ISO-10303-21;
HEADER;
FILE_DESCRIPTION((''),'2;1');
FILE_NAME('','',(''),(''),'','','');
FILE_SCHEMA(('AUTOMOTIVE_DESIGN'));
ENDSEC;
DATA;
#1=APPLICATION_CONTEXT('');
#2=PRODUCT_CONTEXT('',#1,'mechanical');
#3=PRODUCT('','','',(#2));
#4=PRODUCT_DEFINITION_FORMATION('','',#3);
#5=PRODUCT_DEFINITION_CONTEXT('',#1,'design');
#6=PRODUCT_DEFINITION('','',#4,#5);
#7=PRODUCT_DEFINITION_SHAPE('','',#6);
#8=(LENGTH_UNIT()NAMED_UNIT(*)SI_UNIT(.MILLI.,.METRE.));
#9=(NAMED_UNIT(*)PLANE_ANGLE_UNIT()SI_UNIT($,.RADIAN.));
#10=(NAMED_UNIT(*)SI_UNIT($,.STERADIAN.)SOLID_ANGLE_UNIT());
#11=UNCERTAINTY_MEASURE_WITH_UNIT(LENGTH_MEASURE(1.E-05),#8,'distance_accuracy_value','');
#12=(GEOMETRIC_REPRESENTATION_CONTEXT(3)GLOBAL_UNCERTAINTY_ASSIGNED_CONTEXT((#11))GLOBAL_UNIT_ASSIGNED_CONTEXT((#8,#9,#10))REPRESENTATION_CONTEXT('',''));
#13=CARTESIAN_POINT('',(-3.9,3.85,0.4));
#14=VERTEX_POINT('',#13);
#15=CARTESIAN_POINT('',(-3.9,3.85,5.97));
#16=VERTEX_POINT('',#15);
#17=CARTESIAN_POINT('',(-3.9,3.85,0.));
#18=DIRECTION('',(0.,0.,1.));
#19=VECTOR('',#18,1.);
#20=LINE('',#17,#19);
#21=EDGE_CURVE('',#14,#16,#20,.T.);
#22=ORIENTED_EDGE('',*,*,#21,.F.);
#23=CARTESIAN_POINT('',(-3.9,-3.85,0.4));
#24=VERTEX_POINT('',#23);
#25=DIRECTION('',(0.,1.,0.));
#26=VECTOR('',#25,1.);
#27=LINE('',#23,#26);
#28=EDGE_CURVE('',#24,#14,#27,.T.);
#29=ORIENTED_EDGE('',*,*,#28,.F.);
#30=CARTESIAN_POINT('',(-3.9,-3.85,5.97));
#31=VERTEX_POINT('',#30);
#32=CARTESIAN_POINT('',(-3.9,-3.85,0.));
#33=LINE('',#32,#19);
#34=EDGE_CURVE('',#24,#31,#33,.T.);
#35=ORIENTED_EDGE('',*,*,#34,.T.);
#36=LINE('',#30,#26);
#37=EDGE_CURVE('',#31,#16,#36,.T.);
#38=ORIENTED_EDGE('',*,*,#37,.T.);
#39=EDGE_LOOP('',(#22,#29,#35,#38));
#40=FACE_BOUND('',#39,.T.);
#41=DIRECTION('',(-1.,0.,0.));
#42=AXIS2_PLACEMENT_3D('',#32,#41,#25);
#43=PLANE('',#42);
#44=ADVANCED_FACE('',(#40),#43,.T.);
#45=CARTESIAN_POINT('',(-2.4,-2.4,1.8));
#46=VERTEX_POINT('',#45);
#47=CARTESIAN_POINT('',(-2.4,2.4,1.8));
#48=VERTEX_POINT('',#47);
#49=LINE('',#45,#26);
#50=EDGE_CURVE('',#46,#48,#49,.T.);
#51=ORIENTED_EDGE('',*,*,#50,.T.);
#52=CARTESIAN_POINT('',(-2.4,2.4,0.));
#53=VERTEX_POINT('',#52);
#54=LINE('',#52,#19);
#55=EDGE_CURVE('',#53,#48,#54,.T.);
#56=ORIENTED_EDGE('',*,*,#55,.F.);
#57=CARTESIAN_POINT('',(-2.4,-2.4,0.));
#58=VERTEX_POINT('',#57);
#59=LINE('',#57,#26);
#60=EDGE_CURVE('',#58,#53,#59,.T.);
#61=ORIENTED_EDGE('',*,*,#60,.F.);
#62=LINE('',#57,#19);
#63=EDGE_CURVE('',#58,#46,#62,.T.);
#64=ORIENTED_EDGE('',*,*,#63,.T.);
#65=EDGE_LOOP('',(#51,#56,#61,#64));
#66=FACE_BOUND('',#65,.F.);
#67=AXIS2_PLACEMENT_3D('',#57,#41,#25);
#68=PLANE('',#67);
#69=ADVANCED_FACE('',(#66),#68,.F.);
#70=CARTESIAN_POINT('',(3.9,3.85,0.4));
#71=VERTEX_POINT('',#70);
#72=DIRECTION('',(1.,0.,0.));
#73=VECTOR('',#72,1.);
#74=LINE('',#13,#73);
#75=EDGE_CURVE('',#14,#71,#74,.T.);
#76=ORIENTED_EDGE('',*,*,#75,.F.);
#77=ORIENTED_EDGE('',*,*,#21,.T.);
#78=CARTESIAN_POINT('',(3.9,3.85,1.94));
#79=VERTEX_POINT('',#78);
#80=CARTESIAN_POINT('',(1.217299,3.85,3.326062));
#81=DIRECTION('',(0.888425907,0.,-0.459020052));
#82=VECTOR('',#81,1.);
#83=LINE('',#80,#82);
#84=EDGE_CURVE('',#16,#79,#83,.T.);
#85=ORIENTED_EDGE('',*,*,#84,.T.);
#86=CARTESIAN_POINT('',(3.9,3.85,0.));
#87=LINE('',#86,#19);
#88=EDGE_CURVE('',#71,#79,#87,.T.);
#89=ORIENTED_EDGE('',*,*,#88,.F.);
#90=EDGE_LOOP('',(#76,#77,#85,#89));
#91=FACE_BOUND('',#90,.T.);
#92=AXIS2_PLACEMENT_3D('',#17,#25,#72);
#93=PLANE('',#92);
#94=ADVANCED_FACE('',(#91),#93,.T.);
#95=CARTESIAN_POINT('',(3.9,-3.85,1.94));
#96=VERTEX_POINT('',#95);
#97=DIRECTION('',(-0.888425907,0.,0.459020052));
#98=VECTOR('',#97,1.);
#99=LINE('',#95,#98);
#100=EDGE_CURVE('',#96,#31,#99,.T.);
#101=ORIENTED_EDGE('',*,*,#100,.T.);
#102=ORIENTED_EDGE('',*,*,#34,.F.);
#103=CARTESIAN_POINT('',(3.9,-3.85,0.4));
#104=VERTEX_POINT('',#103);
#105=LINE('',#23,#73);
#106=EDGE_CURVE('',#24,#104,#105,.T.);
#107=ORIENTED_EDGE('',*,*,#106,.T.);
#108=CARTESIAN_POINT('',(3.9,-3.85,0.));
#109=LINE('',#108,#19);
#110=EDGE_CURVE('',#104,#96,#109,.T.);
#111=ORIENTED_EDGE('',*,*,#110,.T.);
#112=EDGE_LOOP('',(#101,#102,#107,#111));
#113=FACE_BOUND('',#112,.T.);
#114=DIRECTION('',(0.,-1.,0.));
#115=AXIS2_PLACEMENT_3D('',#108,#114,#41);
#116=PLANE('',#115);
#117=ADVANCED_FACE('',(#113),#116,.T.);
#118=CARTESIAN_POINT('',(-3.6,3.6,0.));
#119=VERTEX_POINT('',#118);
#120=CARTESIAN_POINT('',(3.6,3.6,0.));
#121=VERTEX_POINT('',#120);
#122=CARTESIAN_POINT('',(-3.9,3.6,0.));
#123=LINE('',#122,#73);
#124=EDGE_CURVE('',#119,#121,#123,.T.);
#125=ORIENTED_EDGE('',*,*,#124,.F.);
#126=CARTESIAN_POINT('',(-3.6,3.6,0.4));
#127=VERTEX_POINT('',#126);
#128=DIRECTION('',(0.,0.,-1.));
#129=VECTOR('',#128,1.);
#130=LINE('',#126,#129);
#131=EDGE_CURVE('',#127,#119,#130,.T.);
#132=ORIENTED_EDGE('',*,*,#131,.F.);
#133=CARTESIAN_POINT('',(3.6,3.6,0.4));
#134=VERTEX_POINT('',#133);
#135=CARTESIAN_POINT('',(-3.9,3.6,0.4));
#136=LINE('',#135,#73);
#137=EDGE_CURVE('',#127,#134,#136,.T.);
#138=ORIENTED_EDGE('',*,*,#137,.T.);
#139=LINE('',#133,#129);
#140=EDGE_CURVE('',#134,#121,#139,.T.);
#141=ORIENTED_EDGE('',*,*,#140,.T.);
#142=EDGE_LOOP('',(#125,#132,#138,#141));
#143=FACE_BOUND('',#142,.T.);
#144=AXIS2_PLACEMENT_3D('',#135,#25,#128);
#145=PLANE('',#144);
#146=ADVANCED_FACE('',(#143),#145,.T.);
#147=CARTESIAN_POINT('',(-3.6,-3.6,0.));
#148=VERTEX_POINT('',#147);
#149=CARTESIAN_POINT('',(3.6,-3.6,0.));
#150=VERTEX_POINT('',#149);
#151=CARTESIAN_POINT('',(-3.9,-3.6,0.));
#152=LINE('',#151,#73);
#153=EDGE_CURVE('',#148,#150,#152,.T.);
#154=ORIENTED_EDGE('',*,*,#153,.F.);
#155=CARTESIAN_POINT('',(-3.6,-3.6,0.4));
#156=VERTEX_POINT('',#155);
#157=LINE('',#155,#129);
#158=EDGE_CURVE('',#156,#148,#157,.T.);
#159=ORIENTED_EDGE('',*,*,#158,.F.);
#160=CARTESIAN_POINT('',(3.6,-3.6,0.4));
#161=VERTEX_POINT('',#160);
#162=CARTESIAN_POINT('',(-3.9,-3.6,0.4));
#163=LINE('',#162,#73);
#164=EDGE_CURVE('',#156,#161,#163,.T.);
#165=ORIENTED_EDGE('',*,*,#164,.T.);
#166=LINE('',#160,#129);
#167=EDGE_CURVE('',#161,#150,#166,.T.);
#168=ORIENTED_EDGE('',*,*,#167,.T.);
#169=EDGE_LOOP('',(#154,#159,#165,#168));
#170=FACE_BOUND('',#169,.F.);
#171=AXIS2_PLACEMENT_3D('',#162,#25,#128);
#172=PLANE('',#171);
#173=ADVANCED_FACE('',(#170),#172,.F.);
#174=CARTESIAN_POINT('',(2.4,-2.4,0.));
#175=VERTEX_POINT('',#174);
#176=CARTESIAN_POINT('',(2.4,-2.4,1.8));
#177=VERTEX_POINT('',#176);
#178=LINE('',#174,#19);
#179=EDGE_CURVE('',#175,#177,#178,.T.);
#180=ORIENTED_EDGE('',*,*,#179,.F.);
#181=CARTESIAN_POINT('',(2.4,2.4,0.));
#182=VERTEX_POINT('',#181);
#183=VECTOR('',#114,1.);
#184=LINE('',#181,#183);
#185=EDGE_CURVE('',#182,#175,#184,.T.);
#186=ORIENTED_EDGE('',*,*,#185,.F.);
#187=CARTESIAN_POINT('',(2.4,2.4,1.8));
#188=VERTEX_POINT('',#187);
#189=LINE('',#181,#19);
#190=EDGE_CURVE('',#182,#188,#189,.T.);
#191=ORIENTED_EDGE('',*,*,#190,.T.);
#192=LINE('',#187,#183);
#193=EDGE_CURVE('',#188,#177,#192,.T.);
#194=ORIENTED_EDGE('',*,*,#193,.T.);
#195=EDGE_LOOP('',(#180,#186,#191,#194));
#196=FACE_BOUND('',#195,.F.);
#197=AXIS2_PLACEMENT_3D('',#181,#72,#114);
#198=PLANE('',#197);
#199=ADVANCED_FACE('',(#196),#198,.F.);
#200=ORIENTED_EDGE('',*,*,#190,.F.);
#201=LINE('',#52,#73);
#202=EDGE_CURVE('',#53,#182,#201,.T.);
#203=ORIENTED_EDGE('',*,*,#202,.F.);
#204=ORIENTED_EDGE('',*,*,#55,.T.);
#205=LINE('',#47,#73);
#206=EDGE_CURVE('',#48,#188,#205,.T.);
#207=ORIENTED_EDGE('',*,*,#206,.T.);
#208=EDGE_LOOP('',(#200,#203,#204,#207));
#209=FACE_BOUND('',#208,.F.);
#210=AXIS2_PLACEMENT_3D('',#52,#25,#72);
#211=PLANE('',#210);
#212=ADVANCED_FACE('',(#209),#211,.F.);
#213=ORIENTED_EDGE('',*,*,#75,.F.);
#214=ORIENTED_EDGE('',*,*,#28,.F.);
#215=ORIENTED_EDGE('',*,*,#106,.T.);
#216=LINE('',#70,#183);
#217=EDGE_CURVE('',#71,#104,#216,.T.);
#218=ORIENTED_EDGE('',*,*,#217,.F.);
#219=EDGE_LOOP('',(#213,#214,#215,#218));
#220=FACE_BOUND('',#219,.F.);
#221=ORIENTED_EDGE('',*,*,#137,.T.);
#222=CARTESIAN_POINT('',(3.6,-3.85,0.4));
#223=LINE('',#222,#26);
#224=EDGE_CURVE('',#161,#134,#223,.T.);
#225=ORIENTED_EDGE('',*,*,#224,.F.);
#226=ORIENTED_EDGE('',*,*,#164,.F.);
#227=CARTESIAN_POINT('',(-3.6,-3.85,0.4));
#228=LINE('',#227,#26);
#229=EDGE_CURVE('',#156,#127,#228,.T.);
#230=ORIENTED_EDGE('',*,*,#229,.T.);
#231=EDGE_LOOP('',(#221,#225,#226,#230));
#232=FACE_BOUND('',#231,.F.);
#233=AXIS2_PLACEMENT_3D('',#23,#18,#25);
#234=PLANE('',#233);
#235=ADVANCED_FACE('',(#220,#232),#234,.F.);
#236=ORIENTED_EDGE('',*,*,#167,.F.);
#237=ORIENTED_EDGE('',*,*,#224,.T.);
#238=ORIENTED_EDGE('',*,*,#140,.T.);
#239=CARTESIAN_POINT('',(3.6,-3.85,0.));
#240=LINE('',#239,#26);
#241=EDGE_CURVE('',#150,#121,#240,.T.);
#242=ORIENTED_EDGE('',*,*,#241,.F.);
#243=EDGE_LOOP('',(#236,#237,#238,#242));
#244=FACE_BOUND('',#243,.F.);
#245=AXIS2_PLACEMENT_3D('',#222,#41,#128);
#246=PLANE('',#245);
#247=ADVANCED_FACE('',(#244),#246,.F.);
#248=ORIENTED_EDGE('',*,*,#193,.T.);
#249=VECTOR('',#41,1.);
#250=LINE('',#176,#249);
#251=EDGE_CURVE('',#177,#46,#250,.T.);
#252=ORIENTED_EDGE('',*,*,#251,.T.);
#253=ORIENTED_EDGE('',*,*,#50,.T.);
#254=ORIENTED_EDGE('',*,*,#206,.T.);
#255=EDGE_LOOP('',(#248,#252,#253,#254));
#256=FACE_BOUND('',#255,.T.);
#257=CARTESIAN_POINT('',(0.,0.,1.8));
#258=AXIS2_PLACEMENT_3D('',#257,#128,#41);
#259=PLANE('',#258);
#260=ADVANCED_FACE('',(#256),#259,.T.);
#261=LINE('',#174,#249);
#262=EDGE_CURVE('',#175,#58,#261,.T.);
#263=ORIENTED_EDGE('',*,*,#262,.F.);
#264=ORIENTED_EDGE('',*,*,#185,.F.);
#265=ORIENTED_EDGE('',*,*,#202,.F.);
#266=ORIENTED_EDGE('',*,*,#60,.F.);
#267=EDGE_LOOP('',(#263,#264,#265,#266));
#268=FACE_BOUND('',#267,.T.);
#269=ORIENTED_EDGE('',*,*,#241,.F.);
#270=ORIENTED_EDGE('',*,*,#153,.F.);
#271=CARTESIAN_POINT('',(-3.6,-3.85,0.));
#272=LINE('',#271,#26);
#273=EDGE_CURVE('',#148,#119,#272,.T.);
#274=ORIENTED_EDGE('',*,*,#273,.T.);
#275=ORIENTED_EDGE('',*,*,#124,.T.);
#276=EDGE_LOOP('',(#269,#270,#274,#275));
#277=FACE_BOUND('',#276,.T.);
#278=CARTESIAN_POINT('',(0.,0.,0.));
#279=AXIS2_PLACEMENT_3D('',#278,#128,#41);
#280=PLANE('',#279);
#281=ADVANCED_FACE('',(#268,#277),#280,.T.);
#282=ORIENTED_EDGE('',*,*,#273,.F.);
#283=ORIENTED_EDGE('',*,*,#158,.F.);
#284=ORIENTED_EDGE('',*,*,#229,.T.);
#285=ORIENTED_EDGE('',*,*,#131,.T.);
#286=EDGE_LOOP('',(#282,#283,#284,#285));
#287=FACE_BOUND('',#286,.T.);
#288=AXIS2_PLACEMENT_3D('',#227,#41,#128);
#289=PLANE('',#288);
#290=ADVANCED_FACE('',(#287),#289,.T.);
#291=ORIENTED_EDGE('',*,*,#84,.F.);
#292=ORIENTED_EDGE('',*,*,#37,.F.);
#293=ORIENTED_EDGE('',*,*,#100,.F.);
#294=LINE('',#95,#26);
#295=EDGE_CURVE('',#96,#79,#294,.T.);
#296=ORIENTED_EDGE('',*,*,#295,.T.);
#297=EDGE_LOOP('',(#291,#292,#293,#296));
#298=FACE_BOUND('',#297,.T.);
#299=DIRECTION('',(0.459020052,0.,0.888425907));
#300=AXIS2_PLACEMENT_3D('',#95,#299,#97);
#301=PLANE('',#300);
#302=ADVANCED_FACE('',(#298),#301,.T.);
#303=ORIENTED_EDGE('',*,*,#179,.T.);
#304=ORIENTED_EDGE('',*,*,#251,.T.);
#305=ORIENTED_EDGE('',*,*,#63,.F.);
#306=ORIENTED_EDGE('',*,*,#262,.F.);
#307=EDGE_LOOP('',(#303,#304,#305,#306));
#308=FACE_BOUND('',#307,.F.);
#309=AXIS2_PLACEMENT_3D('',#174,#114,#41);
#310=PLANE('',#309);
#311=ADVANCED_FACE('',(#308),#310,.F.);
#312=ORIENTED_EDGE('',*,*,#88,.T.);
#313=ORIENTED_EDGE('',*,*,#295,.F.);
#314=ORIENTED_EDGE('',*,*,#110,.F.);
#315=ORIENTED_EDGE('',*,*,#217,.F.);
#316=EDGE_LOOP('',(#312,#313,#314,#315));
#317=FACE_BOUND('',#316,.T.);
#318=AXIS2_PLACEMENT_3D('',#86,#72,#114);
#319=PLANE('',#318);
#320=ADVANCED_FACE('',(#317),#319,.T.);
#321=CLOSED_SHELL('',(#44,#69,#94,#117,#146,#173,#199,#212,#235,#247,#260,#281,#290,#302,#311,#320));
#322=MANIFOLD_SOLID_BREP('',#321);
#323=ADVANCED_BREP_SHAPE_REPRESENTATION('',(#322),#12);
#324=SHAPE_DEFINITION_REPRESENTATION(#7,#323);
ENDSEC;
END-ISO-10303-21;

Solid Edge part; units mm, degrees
sketch "Sketch1" plane through (0, 0, 0) normal (0, 0, -1) x (-1, 0, 0)
  line L0 (-3.9, -3.85) -> (3.9, -3.85)
  line L1 (3.9, -3.85) -> (3.9, 3.85)
  line L2 (3.9, 3.85) -> (-3.9, 3.85)
  line L3 (-3.9, 3.85) -> (-3.9, -3.85)
  dimension "D1" = 7.8
  dimension "D2" = 7.7
extrude "Protrusion1" add sketch "Sketch1" against normal blind 5.97
sketch "Sketch2" plane through (0, -3.85, 2.985) normal (0, -1, 0) x (1, 0, 0)
  line L0 (-3.9, 2.985) -> (3.9, 2.985)
  line L1 (3.9, 2.985) -> (3.9, -1.045)
  line L2 (3.9, -1.045) -> (-3.9, 2.985)
  dimension "D1" = 4.03
extrude "ExtrudedCutout_1" cut sketch "Sketch2" against normal blind 12.0859
sketch "Sketch3" plane through (0, -3.85, 2.985) normal (0, -1, 0) x (1, 0, 0)
  line L0 (3.9, -2.585) -> (3.9, -3.3266)
  line L1 (3.9, -3.3266) -> (-3.9, -3.3266)
  line L2 (-3.9, -2.585) -> (-3.9, -3.3266)
  line L3 (-3.9, -2.585) -> (-3.6, -2.585)
  line L4 (-3.6, -2.585) -> (-3.6, -2.985)
  line L5 (3.6, -2.985) -> (-3.6, -2.985)
  line L6 (3.6, -2.585) -> (3.6, -2.985)
  line L7 (3.9, -2.585) -> (3.6, -2.585)
  dimension "D1" = 0.3
  dimension "D2" = 0.3
extrude "ExtrudedCutout_2" cut sketch "Sketch3" against normal blind 9.1473
sketch "Sketch4" plane through (0, 0, 0) normal (0, 0, -1) x (0, -1, 0)
  line L0 (-2.4, -2.4) -> (2.4, -2.4)
  line L1 (2.4, -2.4) -> (2.4, 2.4)
  line L2 (2.4, 2.4) -> (-2.4, 2.4)
  line L3 (-2.4, 2.4) -> (-2.4, -2.4)
  dimension "D1" = 4.8
  dimension "D2" = 4.8
extrude "ExtrudedCutout_4" cut sketch "Sketch4" against normal blind 1.8
sketch "Sketch5" plane through (-3.9, 0, 3.185) normal (-1, 0, 0) x (0, -1, 0)
  line L0 (3.85, -2.785) -> (3.6, -2.785)
  line L1 (3.6, -2.785) -> (3.6, -3.185)
  line L2 (-3.6, -3.185) -> (3.6, -3.185)
  line L3 (-3.6, -2.785) -> (-3.6, -3.185)
  line L4 (-3.85, -2.785) -> (-3.6, -2.785)
  line L5 (-3.85, -3.5485) -> (-3.85, -2.785)
  line L6 (3.85, -3.5485) -> (-3.85, -3.5485)
  line L7 (3.85, -2.785) -> (3.85, -3.5485)
  dimension "D1" = 0.25
  dimension "D2" = 0.25
extrude "ExtrudedCutout_5" cut sketch "Sketch5" against normal blind 8.7278
